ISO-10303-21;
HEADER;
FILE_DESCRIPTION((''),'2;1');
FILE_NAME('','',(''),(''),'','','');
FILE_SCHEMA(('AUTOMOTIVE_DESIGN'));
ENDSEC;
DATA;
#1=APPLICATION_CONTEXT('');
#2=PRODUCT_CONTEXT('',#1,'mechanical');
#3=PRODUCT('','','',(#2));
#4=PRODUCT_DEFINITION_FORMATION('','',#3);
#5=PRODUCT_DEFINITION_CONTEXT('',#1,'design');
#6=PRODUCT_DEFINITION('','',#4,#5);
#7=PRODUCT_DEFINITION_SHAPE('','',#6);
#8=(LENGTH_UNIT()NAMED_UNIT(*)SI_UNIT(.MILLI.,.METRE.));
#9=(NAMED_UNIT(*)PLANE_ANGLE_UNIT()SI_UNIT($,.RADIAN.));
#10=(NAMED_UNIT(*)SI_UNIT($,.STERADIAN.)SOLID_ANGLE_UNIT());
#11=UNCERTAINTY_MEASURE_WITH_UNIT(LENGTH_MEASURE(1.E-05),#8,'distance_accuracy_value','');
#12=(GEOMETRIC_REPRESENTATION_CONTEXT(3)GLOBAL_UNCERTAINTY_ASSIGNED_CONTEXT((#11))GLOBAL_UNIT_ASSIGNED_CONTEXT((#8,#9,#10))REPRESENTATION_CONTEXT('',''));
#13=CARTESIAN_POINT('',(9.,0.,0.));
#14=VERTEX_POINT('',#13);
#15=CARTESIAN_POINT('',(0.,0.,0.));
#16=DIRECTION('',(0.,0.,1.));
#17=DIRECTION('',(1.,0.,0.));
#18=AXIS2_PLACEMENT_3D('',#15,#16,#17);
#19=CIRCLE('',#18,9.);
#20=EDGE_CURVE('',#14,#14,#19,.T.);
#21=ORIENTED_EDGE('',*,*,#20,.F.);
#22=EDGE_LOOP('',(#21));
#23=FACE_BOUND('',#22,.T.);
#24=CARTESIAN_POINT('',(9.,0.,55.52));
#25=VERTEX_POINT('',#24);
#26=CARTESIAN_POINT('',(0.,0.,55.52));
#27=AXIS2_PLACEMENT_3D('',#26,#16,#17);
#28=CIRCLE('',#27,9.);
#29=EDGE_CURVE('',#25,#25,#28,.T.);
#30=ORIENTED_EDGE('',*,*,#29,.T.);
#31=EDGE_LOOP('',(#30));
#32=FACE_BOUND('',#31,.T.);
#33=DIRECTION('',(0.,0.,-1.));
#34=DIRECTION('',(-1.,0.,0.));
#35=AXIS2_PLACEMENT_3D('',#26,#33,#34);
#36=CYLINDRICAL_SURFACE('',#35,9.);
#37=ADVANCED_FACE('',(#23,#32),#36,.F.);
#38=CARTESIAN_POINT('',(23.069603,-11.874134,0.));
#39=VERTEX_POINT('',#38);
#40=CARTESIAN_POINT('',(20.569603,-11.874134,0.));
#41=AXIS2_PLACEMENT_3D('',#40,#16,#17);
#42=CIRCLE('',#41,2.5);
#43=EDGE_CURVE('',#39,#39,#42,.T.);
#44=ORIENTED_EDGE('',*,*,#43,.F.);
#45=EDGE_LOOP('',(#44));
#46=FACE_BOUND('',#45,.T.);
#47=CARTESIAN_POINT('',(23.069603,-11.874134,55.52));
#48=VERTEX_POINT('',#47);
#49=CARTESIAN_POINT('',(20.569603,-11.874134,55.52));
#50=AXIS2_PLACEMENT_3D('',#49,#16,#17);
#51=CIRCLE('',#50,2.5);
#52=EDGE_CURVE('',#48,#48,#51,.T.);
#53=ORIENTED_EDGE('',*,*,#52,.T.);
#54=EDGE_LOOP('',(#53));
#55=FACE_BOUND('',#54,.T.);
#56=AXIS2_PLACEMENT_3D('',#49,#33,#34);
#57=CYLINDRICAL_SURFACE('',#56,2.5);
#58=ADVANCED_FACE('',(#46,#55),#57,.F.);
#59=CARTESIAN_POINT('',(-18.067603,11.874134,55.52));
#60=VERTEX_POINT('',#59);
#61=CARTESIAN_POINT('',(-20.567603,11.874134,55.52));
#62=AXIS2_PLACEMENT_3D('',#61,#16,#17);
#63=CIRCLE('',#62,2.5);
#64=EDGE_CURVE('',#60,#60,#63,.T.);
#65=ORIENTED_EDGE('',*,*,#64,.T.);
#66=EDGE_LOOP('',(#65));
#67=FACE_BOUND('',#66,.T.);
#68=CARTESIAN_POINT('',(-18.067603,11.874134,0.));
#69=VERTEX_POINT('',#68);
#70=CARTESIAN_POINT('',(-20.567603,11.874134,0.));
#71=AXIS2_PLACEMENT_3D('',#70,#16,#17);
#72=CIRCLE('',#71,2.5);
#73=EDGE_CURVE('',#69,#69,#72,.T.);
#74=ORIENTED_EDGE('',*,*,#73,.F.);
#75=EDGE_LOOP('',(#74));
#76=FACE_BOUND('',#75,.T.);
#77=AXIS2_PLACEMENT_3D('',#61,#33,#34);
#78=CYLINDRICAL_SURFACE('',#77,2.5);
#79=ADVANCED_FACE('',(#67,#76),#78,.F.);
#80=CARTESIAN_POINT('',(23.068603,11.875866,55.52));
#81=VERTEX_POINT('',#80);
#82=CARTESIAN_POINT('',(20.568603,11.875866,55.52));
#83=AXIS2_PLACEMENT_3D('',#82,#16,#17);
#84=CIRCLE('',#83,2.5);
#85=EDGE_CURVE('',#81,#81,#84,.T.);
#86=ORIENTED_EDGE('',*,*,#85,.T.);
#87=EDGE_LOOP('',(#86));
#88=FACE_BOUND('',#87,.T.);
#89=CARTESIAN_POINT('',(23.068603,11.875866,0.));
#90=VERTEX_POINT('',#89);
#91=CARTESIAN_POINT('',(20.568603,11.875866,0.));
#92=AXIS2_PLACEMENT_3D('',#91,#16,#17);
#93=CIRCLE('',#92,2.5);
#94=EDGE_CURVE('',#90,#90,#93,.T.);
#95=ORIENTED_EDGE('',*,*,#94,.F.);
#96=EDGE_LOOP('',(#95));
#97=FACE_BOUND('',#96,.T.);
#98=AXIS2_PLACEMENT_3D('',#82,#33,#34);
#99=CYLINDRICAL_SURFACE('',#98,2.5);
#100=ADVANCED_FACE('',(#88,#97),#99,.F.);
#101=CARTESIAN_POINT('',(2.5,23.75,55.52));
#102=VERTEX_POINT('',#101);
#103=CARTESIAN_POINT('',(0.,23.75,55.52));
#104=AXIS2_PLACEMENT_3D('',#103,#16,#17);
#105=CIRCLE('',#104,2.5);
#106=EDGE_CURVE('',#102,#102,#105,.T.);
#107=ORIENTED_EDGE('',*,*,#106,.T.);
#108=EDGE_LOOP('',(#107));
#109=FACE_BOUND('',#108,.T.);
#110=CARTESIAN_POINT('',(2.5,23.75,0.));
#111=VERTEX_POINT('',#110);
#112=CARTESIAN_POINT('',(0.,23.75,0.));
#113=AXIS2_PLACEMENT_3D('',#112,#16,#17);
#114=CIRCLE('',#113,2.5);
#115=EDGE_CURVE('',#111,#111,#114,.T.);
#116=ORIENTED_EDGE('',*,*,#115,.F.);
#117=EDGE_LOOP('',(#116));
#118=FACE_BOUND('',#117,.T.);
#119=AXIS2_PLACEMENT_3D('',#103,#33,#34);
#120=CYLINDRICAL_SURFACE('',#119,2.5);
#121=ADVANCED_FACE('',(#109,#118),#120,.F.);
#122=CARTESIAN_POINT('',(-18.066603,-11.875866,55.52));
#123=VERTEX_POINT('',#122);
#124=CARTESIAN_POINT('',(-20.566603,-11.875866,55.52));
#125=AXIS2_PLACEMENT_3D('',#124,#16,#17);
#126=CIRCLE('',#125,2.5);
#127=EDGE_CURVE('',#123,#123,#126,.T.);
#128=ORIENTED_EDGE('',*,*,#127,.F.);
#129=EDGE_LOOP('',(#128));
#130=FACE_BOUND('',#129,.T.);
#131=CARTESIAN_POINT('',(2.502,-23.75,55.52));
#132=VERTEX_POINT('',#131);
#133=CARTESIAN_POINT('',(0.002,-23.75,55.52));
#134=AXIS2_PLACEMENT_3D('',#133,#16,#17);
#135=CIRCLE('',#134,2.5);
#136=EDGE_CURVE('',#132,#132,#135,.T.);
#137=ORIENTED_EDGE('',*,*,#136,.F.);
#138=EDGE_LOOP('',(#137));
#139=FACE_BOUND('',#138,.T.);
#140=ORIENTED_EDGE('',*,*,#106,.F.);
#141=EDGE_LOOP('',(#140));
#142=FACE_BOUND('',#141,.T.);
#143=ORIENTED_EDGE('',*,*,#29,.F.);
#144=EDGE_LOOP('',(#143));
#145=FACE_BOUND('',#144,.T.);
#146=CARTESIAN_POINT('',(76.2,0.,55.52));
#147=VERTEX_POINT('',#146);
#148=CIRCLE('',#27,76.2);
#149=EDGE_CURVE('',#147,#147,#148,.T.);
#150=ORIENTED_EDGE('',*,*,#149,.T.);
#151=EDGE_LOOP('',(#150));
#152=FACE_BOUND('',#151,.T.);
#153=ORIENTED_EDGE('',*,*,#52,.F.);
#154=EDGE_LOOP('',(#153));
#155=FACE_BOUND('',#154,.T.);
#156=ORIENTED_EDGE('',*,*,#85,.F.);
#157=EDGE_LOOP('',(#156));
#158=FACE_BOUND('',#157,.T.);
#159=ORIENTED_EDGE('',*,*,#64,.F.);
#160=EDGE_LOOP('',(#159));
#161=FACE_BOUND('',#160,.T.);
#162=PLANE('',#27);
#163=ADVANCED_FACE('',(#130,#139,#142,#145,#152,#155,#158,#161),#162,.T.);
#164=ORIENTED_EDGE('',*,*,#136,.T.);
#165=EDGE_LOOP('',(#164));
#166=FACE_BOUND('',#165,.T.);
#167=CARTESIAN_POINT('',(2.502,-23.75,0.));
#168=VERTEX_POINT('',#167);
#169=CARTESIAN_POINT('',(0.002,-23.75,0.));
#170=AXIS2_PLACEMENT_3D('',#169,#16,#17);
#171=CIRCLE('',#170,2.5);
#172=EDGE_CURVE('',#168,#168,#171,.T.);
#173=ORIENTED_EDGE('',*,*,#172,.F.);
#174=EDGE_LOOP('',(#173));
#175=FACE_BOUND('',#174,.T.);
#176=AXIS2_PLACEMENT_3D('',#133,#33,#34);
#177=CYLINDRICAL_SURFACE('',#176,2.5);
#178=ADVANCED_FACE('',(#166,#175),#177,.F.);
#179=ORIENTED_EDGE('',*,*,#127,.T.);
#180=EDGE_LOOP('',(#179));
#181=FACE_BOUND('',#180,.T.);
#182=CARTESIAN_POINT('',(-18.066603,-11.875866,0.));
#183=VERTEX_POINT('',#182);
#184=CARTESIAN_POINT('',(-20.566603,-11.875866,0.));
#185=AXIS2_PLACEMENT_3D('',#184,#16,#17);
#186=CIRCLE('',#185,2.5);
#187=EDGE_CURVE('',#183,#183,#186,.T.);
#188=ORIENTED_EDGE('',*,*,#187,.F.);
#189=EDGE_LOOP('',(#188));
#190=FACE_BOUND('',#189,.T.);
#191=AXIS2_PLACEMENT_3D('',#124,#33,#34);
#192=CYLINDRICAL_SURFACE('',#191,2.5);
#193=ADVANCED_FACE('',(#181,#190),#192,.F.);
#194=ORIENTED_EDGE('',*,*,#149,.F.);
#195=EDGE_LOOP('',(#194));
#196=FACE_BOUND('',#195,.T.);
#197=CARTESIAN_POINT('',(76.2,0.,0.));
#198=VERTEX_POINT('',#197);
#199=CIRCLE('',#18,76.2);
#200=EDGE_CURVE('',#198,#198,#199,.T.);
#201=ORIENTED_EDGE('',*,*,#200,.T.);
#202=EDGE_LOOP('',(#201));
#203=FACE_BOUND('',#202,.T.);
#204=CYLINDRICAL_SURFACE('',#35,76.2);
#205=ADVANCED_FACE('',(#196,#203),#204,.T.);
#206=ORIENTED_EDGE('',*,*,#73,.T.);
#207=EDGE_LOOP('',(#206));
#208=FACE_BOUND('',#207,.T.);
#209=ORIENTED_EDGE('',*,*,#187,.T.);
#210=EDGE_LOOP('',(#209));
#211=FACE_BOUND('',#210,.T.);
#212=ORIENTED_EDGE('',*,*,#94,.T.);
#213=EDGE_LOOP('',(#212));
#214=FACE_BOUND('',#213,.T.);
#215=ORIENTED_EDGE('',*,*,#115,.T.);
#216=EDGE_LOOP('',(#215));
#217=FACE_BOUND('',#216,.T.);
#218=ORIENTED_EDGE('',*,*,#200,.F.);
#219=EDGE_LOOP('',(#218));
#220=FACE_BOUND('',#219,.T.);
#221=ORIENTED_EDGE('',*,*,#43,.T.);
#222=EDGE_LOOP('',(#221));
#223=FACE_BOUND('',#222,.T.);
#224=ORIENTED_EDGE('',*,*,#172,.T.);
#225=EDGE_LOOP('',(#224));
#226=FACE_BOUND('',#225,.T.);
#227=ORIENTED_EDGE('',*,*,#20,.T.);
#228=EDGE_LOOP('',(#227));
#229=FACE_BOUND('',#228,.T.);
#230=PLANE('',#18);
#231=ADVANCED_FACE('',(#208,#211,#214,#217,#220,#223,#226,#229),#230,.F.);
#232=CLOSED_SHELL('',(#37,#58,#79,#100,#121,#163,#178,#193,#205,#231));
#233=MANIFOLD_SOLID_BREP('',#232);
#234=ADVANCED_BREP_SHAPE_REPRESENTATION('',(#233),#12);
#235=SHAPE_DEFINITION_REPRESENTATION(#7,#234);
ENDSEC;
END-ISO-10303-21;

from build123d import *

# Parameters (mm, degrees)
SKETCH1_R           = 76.2
SKETCH1_R_2         = 9
SKETCH1_R_3         = 2.5
BOSS_EXTRUDE1_DEPTH = 55.52


with BuildPart() as part:
    # Sketch1 → Boss-Extrude1 (new body)
    with BuildSketch(Plane.XY):
        Circle(SKETCH1_R)
        Circle(SKETCH1_R_2, mode=Mode.SUBTRACT)
        with Locations((0, 23.75)):
            Circle(SKETCH1_R_3, mode=Mode.SUBTRACT)
        with Locations((20.56860334, 11.875866025)):
            Circle(SKETCH1_R_3, mode=Mode.SUBTRACT)
        with Locations((20.56960334, -11.874133975)):
            Circle(SKETCH1_R_3, mode=Mode.SUBTRACT)
        with Locations((0.002, -23.75)):
            Circle(SKETCH1_R_3, mode=Mode.SUBTRACT)
        with Locations((-20.56660334, -11.875866025)):
            Circle(SKETCH1_R_3, mode=Mode.SUBTRACT)
        with Locations((-20.56760334, 11.874133975)):
            Circle(SKETCH1_R_3, mode=Mode.SUBTRACT)
    extrude(amount=BOSS_EXTRUDE1_DEPTH)


solid = part.part
